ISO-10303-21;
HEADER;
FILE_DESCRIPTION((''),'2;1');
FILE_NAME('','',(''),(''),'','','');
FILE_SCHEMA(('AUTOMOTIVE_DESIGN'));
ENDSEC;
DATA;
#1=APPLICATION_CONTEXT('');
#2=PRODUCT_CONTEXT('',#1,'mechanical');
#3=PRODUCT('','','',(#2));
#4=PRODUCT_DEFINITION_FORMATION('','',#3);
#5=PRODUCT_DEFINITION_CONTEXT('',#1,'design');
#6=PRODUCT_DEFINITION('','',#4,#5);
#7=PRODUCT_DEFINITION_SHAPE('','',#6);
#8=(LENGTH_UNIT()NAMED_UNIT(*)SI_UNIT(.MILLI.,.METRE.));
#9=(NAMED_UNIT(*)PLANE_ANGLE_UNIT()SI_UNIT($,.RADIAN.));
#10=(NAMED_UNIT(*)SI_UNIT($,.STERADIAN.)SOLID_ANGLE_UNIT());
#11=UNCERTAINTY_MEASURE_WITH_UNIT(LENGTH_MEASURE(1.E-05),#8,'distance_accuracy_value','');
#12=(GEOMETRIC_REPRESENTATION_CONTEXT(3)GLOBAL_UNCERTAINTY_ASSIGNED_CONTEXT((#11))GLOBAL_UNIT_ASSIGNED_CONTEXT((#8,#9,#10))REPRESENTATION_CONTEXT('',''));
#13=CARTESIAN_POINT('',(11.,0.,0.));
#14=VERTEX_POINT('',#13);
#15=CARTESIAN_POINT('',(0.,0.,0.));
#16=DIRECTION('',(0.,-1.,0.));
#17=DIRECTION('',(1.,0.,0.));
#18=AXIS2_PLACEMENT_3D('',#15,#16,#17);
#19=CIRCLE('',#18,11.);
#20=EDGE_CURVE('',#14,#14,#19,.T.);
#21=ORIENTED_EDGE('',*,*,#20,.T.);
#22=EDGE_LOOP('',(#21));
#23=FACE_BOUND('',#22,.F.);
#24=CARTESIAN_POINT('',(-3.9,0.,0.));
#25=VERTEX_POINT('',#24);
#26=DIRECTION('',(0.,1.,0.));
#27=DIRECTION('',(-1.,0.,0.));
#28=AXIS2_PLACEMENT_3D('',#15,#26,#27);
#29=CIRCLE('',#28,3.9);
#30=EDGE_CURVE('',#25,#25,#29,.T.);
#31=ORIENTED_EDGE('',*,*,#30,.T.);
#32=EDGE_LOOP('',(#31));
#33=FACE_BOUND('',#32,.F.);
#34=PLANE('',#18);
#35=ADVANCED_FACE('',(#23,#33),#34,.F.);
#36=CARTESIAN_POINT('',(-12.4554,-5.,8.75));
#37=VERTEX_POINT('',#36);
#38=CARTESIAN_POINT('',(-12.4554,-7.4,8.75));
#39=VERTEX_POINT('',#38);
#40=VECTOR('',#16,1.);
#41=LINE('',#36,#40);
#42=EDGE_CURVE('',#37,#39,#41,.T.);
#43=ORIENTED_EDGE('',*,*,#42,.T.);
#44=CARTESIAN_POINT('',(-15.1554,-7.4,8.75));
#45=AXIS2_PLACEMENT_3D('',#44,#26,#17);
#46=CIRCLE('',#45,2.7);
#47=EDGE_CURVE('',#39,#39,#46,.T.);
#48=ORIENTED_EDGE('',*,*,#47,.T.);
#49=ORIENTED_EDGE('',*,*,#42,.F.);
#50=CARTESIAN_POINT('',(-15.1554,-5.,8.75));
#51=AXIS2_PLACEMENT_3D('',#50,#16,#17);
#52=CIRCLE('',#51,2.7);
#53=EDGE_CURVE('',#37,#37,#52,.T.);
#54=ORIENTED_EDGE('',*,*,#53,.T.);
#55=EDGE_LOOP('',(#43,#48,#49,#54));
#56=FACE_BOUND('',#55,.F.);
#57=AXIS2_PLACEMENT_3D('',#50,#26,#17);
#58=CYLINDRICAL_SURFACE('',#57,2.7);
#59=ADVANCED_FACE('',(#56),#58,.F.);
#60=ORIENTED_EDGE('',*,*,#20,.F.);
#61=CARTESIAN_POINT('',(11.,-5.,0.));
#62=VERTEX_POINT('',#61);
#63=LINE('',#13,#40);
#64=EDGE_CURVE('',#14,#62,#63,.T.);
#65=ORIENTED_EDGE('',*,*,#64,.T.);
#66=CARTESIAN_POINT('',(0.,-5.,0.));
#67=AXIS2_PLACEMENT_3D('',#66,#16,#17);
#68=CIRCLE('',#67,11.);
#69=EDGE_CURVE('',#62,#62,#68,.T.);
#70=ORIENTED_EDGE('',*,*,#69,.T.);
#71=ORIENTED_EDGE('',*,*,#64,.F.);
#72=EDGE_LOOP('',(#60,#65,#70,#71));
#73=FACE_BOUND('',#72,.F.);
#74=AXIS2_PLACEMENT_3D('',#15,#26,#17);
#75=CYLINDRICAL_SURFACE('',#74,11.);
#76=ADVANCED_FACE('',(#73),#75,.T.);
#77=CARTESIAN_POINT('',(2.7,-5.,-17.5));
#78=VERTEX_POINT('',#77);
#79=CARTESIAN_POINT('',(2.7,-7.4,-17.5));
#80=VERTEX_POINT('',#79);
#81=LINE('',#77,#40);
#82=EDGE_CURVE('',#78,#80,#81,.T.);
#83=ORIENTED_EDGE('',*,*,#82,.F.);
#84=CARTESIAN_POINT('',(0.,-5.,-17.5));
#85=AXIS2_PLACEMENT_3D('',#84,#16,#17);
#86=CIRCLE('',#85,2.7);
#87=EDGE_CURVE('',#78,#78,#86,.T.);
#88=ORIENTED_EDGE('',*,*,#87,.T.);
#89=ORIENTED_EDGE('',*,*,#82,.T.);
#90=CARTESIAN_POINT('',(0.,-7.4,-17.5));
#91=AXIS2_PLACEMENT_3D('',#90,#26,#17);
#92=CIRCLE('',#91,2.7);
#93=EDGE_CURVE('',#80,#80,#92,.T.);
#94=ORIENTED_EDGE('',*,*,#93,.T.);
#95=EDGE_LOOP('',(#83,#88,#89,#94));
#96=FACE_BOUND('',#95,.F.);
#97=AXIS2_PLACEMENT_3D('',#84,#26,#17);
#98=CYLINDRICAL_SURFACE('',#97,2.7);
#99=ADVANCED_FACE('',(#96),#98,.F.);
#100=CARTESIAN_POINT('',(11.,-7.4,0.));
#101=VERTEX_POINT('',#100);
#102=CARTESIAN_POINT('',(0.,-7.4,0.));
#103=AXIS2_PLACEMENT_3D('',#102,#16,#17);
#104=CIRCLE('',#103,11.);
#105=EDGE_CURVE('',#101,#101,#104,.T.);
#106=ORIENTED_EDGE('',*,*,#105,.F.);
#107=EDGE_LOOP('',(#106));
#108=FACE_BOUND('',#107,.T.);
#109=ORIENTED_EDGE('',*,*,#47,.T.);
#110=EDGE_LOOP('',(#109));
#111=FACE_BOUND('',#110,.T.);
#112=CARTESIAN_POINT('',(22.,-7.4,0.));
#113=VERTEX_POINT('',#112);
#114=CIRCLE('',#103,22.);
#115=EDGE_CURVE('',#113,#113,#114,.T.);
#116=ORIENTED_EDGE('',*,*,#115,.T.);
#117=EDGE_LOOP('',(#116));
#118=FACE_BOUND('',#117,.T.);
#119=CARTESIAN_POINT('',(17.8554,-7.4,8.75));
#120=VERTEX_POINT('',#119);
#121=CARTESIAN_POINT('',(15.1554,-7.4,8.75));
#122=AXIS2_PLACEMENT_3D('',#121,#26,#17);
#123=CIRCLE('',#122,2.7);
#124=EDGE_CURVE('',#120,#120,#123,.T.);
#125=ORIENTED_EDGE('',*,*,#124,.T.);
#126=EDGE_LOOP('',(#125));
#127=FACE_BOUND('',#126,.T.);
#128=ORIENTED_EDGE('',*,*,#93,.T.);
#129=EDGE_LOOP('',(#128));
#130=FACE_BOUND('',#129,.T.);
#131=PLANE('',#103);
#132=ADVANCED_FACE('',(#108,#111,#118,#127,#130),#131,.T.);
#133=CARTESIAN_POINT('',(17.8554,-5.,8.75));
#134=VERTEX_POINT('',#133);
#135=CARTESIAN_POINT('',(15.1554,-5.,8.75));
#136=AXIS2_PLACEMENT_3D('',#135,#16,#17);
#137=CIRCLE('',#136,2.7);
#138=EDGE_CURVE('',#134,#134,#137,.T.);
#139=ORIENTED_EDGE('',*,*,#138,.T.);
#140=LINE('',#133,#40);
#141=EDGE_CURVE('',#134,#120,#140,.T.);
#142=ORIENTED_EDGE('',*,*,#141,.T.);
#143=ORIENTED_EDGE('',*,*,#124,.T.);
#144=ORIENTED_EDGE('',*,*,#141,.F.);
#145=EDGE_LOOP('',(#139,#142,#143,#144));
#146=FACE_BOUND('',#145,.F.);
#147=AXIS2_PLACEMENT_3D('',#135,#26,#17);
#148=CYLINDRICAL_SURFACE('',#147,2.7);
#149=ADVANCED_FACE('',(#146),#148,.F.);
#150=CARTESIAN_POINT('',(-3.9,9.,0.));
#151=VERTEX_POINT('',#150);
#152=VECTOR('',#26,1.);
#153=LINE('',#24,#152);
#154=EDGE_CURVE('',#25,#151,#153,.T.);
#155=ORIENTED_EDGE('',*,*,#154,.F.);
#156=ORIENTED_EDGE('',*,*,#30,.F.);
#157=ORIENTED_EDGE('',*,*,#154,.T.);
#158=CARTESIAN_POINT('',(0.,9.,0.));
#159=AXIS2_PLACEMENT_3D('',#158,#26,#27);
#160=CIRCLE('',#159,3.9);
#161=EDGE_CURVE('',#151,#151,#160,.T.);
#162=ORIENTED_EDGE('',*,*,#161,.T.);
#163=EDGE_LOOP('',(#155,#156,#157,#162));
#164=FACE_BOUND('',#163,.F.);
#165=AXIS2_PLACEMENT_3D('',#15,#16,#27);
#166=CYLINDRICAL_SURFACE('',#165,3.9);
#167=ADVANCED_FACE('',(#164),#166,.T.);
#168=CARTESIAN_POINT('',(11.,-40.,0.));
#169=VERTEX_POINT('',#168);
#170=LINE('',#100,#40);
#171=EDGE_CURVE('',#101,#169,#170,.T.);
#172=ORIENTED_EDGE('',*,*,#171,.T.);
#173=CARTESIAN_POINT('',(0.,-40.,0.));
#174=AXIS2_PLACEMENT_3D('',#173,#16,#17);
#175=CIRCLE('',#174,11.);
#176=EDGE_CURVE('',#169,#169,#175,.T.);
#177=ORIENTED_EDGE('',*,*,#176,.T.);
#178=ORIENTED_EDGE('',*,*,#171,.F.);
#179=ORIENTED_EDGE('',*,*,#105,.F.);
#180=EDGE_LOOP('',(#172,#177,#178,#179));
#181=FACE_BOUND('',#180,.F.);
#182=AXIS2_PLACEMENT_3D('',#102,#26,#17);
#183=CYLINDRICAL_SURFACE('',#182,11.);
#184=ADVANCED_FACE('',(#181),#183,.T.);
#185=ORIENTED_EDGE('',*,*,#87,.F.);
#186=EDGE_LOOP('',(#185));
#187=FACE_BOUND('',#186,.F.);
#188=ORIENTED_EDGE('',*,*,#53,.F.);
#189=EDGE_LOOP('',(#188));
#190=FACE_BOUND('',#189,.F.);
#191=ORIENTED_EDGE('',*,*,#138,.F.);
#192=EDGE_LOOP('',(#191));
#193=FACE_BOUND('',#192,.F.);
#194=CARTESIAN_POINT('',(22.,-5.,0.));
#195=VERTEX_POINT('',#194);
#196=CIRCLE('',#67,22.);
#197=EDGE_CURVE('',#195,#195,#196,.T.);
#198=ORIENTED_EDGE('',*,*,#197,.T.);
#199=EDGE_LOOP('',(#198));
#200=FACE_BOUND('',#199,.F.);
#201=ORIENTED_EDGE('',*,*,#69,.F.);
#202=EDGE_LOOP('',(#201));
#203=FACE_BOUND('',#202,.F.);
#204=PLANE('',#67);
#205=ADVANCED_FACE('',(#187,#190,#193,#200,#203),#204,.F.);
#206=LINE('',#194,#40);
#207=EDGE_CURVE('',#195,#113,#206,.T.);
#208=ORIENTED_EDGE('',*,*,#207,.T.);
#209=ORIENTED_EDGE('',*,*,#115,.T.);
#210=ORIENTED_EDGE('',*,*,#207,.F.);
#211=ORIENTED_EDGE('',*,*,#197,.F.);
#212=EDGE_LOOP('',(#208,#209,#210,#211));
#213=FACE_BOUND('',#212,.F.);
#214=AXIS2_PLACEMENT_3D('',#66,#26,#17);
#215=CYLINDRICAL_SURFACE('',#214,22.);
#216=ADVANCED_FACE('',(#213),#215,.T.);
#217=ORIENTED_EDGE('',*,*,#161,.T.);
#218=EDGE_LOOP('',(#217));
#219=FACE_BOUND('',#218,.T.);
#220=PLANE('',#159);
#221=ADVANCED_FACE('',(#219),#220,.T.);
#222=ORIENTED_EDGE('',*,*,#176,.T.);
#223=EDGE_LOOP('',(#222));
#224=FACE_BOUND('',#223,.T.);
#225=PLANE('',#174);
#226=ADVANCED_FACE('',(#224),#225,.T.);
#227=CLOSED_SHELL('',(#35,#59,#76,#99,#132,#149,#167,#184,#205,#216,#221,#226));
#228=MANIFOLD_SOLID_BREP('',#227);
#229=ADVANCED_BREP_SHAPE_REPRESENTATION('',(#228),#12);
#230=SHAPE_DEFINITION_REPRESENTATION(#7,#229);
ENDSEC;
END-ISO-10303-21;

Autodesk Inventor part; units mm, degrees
ref_plane "YZ Plane" through (0, 0, 0) normal (1, 0, 0) x (0, 1, 0)
ref_plane "XZ Plane" through (0, 0, 0) normal (0, 1, 0) x (-1, 0, 0)
ref_plane "XY Plane" through (0, 0, 0) normal (0, 0, 1) x (1, 0, 0)
sketch "Sketch1" plane through (0, 0, 0) normal (0, 1, 0) x (-1, 0, 0)
  circle A0 centre (0, 0) radius 3.9
  dimension "d0" = 7.8
extrude "Extrusion1" add sketch "Sketch1" along normal blind 9
sketch "Sketch2" plane through (0, 0, 0) normal (0, -1, 0) x (1, 0, 0)
  circle A0 centre (0, 0) radius 11
  dimension "d3" = 22
extrude "Extrusion2" add sketch "Sketch2" along normal blind 5
sketch "Sketch3" plane through (0, -5, 0) normal (0, -1, 0) x (1, 0, 0)
  circle A0 centre (0, 0) radius 3.9 projected
  circle A1 centre (0, 0) radius 22
  dimension "d6" = 44
extrude "Extrusion3" add sketch "Sketch3" along normal blind 2.4 contours A0 | A1
sketch "Sketch4" plane through (0, -7.4, 0) normal (0, -1, 0) x (1, 0, 0)
  circle A0 centre (0, 0) radius 11
  dimension "d9" = 22
extrude "Extrusion4" add sketch "Sketch4" along normal blind 32.6
sketch "Sketch6" plane through (0, -5, 0) normal (0, 1, 0) x (1, 0, 0)
  circle A0 centre (0, 0) radius 22 projected
  circle A1 centre (0, 0) radius 11 projected
  circle A2 centre (0, 0) radius 17.5
  circle A3 centre (0, 17.5) radius 2.7
  circle A4 centre (-15.1554, -8.75) radius 2.7
  circle A5 centre (15.1554, -8.75) radius 2.7
  dimension "d12" = 35
  dimension "d13" = 5.4
  dimension "d16" = 360
extrude "Extrusion5" cut sketch "Sketch6" against normal blind 27.6 contours A3 A2 | A2 A3 | A5 A2 | A2 A5 | A4 A2 | A2 A4
properties part number "Slip_ring"
